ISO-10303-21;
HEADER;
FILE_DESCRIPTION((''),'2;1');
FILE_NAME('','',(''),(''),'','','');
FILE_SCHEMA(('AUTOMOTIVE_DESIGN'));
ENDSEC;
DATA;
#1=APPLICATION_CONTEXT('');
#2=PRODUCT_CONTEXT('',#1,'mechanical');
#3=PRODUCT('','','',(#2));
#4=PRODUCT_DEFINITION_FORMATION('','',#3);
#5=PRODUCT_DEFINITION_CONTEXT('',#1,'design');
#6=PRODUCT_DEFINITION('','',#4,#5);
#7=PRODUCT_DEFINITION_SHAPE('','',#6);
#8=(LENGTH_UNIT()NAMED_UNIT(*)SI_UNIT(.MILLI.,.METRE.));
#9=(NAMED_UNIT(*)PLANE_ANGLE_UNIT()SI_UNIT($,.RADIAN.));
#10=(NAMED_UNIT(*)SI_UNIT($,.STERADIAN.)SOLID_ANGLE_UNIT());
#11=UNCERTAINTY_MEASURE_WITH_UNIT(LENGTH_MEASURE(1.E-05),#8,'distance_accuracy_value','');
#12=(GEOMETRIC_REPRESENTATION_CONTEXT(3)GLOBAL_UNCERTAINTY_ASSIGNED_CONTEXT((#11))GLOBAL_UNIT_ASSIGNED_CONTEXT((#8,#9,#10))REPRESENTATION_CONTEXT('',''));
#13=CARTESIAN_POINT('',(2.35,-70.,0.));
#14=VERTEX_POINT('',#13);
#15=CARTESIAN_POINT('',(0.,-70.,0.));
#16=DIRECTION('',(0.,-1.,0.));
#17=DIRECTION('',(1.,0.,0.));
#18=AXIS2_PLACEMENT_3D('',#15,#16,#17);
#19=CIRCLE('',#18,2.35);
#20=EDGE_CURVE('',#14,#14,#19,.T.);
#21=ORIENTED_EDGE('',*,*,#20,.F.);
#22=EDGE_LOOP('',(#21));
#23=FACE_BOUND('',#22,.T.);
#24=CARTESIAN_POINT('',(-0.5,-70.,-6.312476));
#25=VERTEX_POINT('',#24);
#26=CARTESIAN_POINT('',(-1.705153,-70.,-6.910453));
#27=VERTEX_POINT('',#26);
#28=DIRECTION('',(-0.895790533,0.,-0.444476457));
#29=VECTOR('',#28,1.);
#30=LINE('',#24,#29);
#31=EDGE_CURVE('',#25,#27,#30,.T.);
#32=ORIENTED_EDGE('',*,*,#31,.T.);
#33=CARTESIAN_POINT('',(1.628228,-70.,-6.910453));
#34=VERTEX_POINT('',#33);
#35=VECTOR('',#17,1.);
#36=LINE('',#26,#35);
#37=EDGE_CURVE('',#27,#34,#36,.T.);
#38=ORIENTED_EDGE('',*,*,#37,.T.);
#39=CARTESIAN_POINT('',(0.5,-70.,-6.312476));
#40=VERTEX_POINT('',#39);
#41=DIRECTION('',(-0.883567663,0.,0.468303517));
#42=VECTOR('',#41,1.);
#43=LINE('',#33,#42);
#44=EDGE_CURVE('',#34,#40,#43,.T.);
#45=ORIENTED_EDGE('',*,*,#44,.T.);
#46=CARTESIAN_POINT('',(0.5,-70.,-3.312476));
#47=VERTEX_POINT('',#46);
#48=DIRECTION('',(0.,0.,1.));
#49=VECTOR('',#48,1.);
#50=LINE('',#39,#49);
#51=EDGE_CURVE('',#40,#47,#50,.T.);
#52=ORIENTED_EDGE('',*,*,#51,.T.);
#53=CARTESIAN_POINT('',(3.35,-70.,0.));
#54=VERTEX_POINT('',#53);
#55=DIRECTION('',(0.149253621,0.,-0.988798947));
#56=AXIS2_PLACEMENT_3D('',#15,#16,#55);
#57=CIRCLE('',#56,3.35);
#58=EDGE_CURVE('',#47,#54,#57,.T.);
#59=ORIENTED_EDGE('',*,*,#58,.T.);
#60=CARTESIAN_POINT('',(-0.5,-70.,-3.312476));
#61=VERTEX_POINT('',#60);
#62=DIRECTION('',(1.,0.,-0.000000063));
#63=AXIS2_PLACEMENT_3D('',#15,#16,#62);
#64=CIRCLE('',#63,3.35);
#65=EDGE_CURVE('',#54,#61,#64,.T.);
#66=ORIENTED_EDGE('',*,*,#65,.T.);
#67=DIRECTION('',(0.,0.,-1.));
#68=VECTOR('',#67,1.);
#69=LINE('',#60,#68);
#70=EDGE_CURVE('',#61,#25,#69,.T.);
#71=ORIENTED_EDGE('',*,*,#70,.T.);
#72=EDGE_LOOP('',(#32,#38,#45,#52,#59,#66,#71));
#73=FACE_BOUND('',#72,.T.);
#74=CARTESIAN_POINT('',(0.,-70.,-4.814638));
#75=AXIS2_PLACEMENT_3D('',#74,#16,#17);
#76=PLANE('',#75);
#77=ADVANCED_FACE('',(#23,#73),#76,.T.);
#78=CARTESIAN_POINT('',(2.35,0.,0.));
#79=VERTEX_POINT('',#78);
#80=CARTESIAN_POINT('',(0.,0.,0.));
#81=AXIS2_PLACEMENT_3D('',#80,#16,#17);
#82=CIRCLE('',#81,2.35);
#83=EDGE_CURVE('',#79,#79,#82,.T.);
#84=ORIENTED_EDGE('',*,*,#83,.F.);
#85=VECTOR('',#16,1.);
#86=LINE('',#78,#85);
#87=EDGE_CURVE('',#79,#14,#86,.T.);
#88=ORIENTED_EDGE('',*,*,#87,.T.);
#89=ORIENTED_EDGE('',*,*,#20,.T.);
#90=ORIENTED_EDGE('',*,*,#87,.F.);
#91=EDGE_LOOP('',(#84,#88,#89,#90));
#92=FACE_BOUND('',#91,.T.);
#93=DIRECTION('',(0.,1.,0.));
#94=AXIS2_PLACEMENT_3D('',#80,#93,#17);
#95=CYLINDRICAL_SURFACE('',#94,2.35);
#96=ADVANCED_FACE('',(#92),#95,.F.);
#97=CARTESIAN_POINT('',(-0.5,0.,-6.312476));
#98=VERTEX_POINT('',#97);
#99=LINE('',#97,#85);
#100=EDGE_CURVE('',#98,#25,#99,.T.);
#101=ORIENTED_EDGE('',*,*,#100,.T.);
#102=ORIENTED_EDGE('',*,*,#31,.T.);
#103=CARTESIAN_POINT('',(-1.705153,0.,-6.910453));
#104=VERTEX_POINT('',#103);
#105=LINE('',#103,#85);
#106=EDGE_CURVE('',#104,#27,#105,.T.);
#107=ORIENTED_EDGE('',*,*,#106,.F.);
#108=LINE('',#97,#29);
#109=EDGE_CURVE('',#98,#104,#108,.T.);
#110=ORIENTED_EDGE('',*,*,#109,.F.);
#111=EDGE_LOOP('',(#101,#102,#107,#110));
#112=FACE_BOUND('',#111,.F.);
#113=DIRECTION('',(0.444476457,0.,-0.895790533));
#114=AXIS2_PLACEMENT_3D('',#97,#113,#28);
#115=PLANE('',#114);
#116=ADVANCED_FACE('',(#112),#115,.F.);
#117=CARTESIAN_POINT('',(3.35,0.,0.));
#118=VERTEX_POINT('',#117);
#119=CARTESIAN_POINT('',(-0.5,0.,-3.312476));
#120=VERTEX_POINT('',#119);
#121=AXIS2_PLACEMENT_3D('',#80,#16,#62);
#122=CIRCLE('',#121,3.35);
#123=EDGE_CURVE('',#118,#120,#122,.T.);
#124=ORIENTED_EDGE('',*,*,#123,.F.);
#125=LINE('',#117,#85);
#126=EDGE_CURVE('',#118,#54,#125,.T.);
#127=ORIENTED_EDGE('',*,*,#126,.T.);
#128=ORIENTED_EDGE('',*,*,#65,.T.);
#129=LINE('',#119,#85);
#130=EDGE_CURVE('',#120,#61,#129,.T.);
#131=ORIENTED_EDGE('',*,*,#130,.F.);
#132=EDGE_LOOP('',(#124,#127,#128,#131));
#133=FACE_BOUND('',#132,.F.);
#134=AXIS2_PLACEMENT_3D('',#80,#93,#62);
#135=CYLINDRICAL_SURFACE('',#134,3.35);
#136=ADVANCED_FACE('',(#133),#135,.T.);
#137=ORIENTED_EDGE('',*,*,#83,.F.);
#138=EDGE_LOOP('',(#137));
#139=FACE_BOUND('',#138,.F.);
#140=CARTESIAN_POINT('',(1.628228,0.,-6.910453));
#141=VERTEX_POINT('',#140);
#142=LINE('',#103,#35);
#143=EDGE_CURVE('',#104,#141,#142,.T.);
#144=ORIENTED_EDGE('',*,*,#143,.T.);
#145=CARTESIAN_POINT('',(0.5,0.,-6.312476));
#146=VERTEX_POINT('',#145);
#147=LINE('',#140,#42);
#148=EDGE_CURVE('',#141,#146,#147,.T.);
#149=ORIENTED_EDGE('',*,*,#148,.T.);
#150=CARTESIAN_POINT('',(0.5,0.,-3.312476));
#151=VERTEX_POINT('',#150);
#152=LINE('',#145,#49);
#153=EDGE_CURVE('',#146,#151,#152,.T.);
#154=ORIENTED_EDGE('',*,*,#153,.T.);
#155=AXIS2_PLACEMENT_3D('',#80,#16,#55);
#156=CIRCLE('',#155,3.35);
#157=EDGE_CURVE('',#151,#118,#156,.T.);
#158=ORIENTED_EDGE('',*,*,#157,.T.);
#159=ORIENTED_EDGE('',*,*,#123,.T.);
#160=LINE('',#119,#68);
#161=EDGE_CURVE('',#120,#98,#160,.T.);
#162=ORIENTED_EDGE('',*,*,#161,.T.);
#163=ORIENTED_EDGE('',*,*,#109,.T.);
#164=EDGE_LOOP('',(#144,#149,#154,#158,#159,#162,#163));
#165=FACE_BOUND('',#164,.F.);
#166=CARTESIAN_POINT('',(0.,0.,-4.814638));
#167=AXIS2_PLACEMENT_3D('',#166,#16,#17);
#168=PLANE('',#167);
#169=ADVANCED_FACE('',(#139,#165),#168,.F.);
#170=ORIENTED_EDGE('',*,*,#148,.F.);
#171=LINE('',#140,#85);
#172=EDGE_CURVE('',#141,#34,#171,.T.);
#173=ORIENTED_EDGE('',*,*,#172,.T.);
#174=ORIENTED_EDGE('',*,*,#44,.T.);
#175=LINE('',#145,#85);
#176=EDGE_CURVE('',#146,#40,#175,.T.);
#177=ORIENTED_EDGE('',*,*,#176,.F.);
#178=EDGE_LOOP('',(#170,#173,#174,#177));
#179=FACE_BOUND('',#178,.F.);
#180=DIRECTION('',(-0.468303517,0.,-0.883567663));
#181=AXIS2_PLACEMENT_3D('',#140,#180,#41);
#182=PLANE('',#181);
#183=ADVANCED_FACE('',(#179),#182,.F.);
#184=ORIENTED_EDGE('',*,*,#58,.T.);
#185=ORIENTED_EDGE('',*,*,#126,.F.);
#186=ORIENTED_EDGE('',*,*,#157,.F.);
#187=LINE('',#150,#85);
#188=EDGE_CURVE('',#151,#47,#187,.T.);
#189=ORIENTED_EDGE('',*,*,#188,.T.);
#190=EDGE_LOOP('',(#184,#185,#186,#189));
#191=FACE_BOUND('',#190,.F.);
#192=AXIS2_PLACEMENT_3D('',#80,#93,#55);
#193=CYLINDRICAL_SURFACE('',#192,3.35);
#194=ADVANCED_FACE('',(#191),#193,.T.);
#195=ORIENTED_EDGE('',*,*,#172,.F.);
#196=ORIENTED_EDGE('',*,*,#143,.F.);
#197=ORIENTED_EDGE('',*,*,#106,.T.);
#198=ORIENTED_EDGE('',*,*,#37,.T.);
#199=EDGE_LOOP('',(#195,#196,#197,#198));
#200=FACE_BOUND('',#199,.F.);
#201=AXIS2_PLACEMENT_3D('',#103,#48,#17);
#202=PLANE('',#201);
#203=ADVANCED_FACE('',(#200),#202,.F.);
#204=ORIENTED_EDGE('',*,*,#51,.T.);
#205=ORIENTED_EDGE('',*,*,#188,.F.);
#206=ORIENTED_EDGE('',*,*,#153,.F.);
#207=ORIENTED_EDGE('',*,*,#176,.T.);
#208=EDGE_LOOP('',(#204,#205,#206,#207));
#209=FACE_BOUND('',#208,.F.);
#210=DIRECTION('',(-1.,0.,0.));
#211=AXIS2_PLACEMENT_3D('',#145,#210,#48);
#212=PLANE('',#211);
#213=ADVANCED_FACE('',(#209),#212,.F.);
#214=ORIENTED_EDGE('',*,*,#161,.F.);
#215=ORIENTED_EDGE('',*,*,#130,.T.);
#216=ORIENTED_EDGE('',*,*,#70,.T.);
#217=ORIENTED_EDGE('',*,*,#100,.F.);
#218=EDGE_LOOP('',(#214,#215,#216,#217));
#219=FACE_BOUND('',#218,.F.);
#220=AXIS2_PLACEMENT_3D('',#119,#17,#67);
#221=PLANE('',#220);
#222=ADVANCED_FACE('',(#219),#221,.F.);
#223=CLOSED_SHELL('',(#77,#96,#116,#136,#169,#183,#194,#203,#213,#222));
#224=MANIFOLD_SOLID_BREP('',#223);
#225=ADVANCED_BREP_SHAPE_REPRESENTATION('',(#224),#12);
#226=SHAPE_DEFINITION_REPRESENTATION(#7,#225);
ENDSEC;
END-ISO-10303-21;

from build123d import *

# Parameters (mm, degrees)
F0_R     = 2.35
F1_DEPTH = 70


with BuildPart() as f1:
    # F0 (on Front) → F1 (new body)
    with BuildSketch(Plane.XZ):
        with BuildLine():
            ThreePointArc((0.5, -3.312476), (0, -3.35), (-0.5, -3.312476))
            Line((-0.5, -3.312476), (-0.5, -6.312476))
            Line((-0.5, -6.312476), (0.5, -6.312476))
            Line((0.5, -6.312476), (0.5, -3.312476))
        make_face()
        with BuildLine():
            Line((0.5, -3.312476), (-0.5, -3.312476))
            ThreePointArc((-0.5, -3.312476), (0, -3.35), (0.5, -3.312476))
        make_face()
        with BuildLine():
            ThreePointArc((0.5, -3.312476), (2.539439, -2.184891), (3.35, 0))
            ThreePointArc((3.35, 0), (-2.184891, 2.539439), (-0.5, -3.312476))
            Line((-0.5, -3.312476), (0.5, -3.312476))
        make_face()
        Circle(F0_R, mode=Mode.SUBTRACT)
        Polygon((0.5, -6.312476), (-0.5, -6.312476), (-1.705153, -6.910453), (1.628228, -6.910453), align=None)
    extrude(amount=F1_DEPTH)


solid = f1.part
